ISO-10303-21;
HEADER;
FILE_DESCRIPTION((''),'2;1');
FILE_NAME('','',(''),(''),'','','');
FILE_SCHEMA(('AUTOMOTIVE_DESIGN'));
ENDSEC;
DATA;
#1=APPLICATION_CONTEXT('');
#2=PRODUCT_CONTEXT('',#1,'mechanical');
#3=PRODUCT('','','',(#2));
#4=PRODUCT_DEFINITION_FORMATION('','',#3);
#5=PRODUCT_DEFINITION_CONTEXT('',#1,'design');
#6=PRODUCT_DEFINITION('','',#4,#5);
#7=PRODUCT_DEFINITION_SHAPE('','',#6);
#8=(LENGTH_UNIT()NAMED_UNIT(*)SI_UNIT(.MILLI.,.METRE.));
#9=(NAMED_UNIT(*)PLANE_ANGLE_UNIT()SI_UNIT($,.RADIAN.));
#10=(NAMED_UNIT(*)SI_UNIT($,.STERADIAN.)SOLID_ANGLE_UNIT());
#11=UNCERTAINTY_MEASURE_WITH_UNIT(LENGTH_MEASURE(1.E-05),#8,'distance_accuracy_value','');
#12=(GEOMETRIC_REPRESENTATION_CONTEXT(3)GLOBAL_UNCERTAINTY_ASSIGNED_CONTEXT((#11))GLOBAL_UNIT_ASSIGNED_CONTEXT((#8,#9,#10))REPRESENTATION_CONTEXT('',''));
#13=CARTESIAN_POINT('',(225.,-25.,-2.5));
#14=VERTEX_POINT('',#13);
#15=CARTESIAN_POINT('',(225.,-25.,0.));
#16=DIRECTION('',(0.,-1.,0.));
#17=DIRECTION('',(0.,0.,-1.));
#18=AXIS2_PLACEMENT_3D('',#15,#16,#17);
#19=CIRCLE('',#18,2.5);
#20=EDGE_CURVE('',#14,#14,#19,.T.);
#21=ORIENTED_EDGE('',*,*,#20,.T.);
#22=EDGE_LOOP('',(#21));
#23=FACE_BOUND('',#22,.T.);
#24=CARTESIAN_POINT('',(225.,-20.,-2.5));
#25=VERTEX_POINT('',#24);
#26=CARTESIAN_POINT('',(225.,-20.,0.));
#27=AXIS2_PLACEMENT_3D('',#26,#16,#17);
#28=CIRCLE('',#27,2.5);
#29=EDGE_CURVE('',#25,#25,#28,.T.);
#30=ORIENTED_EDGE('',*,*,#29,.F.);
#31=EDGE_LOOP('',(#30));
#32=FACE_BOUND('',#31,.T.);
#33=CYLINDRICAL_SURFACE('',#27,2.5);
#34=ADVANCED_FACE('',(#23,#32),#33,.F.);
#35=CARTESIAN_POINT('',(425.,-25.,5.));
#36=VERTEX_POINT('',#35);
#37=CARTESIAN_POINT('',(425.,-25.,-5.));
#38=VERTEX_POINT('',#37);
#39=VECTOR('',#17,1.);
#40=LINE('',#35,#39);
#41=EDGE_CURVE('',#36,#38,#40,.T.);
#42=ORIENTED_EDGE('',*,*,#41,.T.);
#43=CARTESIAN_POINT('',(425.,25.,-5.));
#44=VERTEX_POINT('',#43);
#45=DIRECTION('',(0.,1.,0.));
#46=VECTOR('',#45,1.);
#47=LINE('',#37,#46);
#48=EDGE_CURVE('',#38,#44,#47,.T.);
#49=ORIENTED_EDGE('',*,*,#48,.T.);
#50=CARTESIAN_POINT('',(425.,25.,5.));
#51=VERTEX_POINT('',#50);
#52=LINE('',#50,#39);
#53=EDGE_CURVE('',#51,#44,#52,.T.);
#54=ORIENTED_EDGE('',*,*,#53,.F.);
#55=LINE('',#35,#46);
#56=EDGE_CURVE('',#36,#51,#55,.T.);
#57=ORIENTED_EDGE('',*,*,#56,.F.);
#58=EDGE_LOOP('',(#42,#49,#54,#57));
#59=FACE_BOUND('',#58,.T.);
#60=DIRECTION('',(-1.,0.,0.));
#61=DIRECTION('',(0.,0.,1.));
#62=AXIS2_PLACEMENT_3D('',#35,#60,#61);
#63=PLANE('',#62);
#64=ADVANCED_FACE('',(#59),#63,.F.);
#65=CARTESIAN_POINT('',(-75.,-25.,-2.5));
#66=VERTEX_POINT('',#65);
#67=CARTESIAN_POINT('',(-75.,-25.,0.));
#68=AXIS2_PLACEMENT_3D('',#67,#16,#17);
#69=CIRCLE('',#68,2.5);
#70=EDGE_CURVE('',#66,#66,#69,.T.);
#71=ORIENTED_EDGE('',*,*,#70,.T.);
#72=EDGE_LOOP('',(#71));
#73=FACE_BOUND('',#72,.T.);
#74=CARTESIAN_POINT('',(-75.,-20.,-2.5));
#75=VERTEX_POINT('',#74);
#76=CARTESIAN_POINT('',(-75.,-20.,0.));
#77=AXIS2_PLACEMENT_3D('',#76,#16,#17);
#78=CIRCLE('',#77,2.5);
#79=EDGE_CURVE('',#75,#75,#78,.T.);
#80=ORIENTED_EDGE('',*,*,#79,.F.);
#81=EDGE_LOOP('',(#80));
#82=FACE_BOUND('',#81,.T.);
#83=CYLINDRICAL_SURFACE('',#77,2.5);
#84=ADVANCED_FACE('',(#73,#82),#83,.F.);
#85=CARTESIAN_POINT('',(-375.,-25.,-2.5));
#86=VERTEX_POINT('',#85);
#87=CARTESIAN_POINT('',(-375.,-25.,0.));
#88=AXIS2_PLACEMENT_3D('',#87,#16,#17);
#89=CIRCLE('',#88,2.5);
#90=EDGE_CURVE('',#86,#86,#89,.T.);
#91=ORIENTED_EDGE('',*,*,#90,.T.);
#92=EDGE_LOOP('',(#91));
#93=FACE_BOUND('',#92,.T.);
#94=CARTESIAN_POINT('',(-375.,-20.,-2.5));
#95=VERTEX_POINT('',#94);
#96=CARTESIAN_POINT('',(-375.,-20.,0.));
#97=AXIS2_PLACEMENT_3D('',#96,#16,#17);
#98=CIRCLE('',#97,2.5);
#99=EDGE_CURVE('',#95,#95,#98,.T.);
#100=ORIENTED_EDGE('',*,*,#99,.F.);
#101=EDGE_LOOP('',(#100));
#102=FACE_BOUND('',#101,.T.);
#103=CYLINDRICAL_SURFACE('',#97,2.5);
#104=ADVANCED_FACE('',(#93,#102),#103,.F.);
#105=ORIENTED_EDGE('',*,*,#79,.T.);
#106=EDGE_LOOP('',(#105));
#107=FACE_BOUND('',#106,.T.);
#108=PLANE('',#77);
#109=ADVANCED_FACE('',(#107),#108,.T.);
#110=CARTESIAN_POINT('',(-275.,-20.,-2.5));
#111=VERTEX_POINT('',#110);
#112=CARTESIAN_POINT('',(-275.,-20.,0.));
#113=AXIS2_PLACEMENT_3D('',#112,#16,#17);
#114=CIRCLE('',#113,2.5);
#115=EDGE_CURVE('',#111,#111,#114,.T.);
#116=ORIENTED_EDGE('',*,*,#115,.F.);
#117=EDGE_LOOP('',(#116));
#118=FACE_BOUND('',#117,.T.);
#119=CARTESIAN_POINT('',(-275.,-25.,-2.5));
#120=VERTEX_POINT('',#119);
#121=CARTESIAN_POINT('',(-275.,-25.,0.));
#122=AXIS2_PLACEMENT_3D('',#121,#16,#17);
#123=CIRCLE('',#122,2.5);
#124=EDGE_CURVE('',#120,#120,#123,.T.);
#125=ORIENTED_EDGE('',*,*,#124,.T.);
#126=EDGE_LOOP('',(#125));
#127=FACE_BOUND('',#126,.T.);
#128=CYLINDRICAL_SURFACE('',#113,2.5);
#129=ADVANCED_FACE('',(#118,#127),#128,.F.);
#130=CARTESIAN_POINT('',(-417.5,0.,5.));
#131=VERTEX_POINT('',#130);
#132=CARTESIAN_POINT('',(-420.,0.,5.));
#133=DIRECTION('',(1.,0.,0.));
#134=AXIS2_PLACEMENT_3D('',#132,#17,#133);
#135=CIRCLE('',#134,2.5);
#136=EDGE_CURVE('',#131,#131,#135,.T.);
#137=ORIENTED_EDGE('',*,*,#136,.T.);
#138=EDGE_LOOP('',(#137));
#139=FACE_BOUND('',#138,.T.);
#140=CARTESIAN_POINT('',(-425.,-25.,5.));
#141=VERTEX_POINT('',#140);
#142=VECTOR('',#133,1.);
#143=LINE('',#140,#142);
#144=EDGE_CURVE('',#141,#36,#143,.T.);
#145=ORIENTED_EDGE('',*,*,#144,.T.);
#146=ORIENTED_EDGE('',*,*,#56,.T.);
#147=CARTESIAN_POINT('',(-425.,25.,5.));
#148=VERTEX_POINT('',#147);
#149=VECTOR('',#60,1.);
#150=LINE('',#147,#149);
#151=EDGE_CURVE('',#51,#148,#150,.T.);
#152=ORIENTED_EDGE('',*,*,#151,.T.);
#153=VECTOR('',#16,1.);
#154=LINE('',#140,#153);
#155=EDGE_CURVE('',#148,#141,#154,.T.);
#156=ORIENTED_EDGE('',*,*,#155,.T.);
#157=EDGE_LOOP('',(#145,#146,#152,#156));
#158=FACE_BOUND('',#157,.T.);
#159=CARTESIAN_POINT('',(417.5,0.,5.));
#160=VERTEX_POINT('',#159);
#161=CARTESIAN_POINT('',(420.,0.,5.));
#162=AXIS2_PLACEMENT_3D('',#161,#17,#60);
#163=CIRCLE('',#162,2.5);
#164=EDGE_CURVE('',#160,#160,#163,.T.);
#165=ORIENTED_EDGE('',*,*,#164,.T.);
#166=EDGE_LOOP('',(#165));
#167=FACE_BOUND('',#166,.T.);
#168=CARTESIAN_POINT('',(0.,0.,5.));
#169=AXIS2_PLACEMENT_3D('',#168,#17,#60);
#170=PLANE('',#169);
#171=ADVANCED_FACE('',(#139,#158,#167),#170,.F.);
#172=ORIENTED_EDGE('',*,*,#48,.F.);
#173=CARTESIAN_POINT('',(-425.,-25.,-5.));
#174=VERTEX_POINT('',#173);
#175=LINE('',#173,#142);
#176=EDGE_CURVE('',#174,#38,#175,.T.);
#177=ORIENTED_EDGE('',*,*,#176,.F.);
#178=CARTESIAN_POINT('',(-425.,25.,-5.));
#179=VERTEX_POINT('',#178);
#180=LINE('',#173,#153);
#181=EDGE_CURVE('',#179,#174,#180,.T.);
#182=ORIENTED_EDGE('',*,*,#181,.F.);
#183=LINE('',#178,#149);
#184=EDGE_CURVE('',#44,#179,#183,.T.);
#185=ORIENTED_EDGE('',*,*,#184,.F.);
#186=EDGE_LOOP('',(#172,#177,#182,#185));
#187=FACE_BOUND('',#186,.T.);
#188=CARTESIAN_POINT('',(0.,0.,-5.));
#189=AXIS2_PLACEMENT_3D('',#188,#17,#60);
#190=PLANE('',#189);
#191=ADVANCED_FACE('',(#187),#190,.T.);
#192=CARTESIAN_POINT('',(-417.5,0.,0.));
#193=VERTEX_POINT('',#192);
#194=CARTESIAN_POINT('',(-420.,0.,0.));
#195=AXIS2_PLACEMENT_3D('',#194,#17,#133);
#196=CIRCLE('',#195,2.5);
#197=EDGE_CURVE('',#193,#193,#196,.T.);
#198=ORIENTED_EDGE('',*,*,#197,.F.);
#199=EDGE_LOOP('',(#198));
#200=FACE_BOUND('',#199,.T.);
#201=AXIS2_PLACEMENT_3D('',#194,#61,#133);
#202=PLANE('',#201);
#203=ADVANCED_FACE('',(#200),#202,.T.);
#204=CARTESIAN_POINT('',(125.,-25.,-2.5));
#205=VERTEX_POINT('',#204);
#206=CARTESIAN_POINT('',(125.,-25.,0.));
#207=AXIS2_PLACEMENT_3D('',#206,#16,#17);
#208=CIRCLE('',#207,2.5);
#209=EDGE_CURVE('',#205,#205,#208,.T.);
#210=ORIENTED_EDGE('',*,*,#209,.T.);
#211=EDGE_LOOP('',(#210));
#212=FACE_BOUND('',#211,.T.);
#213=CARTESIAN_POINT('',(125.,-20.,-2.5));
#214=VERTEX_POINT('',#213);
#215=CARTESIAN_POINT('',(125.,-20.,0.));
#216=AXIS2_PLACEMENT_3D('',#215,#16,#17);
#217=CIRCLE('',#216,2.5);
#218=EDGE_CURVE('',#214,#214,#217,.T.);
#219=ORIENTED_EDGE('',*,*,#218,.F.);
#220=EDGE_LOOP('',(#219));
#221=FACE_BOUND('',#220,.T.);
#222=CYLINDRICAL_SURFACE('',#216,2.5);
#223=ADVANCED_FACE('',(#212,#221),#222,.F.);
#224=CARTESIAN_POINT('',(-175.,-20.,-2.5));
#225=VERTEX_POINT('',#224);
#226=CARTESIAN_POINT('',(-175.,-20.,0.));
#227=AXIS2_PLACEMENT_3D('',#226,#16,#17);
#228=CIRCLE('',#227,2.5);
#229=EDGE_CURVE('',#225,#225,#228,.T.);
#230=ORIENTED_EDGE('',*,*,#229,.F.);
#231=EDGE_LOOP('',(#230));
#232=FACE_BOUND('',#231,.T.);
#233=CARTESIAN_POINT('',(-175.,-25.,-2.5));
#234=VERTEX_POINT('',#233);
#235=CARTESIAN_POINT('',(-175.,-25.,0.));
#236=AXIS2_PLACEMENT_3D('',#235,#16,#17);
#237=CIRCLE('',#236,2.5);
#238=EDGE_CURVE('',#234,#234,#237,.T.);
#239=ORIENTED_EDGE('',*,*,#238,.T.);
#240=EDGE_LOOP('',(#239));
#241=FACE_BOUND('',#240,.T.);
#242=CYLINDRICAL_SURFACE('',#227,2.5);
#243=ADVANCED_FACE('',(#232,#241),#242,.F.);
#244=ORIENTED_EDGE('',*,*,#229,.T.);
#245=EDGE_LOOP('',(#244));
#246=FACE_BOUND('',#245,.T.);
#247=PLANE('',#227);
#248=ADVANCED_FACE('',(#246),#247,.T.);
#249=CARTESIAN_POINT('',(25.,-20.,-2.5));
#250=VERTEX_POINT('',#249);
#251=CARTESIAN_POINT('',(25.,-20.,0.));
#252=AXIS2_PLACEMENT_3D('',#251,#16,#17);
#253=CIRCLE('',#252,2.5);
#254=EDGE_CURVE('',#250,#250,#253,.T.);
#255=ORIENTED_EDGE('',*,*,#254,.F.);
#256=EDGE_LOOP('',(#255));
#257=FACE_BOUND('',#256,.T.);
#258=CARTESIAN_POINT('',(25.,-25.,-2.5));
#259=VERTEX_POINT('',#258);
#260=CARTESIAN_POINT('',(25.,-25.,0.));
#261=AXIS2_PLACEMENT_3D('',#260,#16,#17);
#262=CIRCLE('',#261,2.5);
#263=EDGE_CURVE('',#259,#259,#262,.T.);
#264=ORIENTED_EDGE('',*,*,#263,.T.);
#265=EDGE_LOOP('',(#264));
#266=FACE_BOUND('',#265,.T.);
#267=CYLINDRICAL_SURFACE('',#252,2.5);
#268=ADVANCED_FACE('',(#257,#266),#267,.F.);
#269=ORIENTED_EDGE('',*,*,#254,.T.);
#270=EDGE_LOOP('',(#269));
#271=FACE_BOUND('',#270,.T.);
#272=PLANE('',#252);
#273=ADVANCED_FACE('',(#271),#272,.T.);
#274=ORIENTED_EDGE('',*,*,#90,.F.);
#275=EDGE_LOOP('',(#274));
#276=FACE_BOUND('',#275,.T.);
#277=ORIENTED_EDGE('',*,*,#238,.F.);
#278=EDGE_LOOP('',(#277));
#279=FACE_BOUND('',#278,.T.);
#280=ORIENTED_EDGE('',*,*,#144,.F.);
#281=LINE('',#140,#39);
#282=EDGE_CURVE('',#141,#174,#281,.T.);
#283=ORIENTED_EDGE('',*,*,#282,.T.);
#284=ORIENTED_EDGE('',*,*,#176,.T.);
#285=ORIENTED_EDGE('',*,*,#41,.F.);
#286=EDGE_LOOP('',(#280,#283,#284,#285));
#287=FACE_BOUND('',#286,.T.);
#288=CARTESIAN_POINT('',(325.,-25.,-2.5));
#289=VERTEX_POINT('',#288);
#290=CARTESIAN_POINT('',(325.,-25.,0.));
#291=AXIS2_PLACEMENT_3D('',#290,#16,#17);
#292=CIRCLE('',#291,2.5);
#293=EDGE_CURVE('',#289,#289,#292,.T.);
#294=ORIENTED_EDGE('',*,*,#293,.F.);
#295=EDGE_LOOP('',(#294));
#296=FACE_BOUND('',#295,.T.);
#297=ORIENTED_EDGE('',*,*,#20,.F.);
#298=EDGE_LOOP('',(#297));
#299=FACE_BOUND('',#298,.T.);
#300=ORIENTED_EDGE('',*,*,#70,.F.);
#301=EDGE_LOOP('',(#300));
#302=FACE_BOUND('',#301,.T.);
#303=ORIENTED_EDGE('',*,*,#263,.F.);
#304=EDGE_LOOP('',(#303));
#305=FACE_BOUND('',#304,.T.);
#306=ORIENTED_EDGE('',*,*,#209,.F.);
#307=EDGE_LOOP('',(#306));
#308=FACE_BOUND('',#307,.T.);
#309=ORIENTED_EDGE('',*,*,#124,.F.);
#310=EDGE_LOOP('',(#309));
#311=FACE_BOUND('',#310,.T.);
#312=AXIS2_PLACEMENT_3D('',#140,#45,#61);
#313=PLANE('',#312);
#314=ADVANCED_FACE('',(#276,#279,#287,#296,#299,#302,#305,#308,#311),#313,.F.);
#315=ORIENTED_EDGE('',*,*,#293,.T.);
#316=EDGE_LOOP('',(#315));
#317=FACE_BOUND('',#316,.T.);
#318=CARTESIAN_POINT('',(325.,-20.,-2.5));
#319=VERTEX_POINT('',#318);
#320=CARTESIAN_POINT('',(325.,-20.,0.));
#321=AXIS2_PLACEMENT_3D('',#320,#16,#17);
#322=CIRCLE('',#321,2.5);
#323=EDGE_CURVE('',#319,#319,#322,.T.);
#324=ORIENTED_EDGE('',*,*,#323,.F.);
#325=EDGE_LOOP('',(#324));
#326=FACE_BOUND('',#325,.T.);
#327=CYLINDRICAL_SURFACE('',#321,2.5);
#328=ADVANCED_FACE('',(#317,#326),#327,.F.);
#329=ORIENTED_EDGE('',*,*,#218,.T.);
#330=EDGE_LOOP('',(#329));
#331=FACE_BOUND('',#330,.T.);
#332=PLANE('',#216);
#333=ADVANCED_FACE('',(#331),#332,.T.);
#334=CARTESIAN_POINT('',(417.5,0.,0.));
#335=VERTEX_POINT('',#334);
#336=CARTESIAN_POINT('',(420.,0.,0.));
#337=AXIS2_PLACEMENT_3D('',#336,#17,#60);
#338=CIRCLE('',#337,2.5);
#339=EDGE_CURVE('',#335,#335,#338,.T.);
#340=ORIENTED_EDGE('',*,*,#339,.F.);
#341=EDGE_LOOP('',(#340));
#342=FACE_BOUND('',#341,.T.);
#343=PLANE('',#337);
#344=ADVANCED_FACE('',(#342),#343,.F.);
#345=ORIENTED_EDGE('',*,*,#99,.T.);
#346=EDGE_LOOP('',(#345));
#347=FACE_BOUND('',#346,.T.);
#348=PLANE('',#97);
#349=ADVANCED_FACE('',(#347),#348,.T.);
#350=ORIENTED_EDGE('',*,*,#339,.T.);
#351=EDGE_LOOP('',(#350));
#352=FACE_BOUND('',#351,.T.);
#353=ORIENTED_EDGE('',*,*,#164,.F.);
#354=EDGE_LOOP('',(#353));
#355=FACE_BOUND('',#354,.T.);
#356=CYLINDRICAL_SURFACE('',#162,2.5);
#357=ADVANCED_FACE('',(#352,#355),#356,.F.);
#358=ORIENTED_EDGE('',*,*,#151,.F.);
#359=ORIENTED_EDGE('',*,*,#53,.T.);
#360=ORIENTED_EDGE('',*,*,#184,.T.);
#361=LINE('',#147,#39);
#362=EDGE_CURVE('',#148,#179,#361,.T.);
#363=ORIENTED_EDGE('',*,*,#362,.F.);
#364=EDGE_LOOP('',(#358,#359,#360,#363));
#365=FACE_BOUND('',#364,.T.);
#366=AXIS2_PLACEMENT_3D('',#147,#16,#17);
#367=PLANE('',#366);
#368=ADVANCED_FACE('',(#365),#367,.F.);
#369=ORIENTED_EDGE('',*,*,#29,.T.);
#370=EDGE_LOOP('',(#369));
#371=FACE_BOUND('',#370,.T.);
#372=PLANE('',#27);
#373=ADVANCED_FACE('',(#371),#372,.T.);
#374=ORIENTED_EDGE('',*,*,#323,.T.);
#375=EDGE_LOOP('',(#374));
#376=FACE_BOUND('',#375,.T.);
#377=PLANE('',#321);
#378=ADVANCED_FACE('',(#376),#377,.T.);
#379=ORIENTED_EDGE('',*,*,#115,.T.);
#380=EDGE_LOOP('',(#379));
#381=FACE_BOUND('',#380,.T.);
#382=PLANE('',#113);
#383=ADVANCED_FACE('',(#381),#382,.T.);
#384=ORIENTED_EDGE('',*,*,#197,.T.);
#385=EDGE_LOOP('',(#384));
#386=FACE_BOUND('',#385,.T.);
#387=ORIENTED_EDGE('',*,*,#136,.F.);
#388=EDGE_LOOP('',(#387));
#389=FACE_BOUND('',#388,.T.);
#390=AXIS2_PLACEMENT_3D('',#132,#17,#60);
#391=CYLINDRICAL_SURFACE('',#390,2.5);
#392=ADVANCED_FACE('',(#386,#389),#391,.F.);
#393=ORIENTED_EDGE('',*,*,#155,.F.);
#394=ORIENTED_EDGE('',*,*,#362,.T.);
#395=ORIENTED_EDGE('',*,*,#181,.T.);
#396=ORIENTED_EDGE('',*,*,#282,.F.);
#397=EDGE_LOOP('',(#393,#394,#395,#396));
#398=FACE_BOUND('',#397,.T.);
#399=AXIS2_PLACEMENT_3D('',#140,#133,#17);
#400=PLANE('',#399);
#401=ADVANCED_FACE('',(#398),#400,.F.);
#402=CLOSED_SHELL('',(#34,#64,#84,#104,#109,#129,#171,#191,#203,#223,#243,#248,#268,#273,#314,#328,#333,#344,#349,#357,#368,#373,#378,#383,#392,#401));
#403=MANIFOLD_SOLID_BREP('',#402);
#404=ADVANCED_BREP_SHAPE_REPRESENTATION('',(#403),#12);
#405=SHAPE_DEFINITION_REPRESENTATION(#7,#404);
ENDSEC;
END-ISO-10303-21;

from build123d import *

# Parameters (mm, degrees)
CROQUIS1_W              = 850
CROQUIS1_H              = 50
SALIENTE_EXTRUIR1_DEPTH = 5
CROQUIS2_R              = 2.5
CORTAR_EXTRUIR1_DEPTH   = 5
CORTAR_EXTRUIR3_START   = -5
CROQUIS4_R              = 2.5
CORTAR_EXTRUIR3_DEPTH   = 5


with BuildPart() as part:
    # Croquis1 → Saliente-Extruir1 (new, symmetric)
    with BuildSketch(Plane.XY):
        Rectangle(CROQUIS1_W, CROQUIS1_H)
    extrude(amount=SALIENTE_EXTRUIR1_DEPTH, both=True)

    # Croquis2 → Cortar-Extruir1 (cut)
    with BuildSketch(Plane.XZ.offset(25)):
        with Locations(Location((-375, 0, 0), (0, 0, 270))):
            Circle(CROQUIS2_R)
        with Locations(Location((-275, 0, 0), (0, 0, 270))):
            Circle(CROQUIS2_R)
        with Locations(Location((-175, 0, 0), (0, 0, 270))):
            Circle(CROQUIS2_R)
        with Locations(Location((-75, 0, 0), (0, 0, 270))):
            Circle(CROQUIS2_R)
        with Locations(Location((25, 0, 0), (0, 0, 270))):
            Circle(CROQUIS2_R)
        with Locations(Location((125, 0, 0), (0, 0, 270))):
            Circle(CROQUIS2_R)
        with Locations(Location((225, 0, 0), (0, 0, 270))):
            Circle(CROQUIS2_R)
        with Locations(Location((325, 0, 0), (0, 0, 270))):
            Circle(CROQUIS2_R)
    extrude(amount=-CORTAR_EXTRUIR1_DEPTH, mode=Mode.SUBTRACT)

    # Croquis4 → Cortar-Extruir3 (cut)
    with BuildSketch(Plane(origin=(0, 0, -5), x_dir=(-1, 0, 0), z_dir=(0, 0, -1)).offset(CORTAR_EXTRUIR3_START)):
        with Locations((-420, 0)):
            Circle(CROQUIS4_R)
        with Locations(Location((420, 0, 0), (0, 0, 180))):
            Circle(CROQUIS4_R)
    extrude(amount=-CORTAR_EXTRUIR3_DEPTH, mode=Mode.SUBTRACT)


solid = part.part
